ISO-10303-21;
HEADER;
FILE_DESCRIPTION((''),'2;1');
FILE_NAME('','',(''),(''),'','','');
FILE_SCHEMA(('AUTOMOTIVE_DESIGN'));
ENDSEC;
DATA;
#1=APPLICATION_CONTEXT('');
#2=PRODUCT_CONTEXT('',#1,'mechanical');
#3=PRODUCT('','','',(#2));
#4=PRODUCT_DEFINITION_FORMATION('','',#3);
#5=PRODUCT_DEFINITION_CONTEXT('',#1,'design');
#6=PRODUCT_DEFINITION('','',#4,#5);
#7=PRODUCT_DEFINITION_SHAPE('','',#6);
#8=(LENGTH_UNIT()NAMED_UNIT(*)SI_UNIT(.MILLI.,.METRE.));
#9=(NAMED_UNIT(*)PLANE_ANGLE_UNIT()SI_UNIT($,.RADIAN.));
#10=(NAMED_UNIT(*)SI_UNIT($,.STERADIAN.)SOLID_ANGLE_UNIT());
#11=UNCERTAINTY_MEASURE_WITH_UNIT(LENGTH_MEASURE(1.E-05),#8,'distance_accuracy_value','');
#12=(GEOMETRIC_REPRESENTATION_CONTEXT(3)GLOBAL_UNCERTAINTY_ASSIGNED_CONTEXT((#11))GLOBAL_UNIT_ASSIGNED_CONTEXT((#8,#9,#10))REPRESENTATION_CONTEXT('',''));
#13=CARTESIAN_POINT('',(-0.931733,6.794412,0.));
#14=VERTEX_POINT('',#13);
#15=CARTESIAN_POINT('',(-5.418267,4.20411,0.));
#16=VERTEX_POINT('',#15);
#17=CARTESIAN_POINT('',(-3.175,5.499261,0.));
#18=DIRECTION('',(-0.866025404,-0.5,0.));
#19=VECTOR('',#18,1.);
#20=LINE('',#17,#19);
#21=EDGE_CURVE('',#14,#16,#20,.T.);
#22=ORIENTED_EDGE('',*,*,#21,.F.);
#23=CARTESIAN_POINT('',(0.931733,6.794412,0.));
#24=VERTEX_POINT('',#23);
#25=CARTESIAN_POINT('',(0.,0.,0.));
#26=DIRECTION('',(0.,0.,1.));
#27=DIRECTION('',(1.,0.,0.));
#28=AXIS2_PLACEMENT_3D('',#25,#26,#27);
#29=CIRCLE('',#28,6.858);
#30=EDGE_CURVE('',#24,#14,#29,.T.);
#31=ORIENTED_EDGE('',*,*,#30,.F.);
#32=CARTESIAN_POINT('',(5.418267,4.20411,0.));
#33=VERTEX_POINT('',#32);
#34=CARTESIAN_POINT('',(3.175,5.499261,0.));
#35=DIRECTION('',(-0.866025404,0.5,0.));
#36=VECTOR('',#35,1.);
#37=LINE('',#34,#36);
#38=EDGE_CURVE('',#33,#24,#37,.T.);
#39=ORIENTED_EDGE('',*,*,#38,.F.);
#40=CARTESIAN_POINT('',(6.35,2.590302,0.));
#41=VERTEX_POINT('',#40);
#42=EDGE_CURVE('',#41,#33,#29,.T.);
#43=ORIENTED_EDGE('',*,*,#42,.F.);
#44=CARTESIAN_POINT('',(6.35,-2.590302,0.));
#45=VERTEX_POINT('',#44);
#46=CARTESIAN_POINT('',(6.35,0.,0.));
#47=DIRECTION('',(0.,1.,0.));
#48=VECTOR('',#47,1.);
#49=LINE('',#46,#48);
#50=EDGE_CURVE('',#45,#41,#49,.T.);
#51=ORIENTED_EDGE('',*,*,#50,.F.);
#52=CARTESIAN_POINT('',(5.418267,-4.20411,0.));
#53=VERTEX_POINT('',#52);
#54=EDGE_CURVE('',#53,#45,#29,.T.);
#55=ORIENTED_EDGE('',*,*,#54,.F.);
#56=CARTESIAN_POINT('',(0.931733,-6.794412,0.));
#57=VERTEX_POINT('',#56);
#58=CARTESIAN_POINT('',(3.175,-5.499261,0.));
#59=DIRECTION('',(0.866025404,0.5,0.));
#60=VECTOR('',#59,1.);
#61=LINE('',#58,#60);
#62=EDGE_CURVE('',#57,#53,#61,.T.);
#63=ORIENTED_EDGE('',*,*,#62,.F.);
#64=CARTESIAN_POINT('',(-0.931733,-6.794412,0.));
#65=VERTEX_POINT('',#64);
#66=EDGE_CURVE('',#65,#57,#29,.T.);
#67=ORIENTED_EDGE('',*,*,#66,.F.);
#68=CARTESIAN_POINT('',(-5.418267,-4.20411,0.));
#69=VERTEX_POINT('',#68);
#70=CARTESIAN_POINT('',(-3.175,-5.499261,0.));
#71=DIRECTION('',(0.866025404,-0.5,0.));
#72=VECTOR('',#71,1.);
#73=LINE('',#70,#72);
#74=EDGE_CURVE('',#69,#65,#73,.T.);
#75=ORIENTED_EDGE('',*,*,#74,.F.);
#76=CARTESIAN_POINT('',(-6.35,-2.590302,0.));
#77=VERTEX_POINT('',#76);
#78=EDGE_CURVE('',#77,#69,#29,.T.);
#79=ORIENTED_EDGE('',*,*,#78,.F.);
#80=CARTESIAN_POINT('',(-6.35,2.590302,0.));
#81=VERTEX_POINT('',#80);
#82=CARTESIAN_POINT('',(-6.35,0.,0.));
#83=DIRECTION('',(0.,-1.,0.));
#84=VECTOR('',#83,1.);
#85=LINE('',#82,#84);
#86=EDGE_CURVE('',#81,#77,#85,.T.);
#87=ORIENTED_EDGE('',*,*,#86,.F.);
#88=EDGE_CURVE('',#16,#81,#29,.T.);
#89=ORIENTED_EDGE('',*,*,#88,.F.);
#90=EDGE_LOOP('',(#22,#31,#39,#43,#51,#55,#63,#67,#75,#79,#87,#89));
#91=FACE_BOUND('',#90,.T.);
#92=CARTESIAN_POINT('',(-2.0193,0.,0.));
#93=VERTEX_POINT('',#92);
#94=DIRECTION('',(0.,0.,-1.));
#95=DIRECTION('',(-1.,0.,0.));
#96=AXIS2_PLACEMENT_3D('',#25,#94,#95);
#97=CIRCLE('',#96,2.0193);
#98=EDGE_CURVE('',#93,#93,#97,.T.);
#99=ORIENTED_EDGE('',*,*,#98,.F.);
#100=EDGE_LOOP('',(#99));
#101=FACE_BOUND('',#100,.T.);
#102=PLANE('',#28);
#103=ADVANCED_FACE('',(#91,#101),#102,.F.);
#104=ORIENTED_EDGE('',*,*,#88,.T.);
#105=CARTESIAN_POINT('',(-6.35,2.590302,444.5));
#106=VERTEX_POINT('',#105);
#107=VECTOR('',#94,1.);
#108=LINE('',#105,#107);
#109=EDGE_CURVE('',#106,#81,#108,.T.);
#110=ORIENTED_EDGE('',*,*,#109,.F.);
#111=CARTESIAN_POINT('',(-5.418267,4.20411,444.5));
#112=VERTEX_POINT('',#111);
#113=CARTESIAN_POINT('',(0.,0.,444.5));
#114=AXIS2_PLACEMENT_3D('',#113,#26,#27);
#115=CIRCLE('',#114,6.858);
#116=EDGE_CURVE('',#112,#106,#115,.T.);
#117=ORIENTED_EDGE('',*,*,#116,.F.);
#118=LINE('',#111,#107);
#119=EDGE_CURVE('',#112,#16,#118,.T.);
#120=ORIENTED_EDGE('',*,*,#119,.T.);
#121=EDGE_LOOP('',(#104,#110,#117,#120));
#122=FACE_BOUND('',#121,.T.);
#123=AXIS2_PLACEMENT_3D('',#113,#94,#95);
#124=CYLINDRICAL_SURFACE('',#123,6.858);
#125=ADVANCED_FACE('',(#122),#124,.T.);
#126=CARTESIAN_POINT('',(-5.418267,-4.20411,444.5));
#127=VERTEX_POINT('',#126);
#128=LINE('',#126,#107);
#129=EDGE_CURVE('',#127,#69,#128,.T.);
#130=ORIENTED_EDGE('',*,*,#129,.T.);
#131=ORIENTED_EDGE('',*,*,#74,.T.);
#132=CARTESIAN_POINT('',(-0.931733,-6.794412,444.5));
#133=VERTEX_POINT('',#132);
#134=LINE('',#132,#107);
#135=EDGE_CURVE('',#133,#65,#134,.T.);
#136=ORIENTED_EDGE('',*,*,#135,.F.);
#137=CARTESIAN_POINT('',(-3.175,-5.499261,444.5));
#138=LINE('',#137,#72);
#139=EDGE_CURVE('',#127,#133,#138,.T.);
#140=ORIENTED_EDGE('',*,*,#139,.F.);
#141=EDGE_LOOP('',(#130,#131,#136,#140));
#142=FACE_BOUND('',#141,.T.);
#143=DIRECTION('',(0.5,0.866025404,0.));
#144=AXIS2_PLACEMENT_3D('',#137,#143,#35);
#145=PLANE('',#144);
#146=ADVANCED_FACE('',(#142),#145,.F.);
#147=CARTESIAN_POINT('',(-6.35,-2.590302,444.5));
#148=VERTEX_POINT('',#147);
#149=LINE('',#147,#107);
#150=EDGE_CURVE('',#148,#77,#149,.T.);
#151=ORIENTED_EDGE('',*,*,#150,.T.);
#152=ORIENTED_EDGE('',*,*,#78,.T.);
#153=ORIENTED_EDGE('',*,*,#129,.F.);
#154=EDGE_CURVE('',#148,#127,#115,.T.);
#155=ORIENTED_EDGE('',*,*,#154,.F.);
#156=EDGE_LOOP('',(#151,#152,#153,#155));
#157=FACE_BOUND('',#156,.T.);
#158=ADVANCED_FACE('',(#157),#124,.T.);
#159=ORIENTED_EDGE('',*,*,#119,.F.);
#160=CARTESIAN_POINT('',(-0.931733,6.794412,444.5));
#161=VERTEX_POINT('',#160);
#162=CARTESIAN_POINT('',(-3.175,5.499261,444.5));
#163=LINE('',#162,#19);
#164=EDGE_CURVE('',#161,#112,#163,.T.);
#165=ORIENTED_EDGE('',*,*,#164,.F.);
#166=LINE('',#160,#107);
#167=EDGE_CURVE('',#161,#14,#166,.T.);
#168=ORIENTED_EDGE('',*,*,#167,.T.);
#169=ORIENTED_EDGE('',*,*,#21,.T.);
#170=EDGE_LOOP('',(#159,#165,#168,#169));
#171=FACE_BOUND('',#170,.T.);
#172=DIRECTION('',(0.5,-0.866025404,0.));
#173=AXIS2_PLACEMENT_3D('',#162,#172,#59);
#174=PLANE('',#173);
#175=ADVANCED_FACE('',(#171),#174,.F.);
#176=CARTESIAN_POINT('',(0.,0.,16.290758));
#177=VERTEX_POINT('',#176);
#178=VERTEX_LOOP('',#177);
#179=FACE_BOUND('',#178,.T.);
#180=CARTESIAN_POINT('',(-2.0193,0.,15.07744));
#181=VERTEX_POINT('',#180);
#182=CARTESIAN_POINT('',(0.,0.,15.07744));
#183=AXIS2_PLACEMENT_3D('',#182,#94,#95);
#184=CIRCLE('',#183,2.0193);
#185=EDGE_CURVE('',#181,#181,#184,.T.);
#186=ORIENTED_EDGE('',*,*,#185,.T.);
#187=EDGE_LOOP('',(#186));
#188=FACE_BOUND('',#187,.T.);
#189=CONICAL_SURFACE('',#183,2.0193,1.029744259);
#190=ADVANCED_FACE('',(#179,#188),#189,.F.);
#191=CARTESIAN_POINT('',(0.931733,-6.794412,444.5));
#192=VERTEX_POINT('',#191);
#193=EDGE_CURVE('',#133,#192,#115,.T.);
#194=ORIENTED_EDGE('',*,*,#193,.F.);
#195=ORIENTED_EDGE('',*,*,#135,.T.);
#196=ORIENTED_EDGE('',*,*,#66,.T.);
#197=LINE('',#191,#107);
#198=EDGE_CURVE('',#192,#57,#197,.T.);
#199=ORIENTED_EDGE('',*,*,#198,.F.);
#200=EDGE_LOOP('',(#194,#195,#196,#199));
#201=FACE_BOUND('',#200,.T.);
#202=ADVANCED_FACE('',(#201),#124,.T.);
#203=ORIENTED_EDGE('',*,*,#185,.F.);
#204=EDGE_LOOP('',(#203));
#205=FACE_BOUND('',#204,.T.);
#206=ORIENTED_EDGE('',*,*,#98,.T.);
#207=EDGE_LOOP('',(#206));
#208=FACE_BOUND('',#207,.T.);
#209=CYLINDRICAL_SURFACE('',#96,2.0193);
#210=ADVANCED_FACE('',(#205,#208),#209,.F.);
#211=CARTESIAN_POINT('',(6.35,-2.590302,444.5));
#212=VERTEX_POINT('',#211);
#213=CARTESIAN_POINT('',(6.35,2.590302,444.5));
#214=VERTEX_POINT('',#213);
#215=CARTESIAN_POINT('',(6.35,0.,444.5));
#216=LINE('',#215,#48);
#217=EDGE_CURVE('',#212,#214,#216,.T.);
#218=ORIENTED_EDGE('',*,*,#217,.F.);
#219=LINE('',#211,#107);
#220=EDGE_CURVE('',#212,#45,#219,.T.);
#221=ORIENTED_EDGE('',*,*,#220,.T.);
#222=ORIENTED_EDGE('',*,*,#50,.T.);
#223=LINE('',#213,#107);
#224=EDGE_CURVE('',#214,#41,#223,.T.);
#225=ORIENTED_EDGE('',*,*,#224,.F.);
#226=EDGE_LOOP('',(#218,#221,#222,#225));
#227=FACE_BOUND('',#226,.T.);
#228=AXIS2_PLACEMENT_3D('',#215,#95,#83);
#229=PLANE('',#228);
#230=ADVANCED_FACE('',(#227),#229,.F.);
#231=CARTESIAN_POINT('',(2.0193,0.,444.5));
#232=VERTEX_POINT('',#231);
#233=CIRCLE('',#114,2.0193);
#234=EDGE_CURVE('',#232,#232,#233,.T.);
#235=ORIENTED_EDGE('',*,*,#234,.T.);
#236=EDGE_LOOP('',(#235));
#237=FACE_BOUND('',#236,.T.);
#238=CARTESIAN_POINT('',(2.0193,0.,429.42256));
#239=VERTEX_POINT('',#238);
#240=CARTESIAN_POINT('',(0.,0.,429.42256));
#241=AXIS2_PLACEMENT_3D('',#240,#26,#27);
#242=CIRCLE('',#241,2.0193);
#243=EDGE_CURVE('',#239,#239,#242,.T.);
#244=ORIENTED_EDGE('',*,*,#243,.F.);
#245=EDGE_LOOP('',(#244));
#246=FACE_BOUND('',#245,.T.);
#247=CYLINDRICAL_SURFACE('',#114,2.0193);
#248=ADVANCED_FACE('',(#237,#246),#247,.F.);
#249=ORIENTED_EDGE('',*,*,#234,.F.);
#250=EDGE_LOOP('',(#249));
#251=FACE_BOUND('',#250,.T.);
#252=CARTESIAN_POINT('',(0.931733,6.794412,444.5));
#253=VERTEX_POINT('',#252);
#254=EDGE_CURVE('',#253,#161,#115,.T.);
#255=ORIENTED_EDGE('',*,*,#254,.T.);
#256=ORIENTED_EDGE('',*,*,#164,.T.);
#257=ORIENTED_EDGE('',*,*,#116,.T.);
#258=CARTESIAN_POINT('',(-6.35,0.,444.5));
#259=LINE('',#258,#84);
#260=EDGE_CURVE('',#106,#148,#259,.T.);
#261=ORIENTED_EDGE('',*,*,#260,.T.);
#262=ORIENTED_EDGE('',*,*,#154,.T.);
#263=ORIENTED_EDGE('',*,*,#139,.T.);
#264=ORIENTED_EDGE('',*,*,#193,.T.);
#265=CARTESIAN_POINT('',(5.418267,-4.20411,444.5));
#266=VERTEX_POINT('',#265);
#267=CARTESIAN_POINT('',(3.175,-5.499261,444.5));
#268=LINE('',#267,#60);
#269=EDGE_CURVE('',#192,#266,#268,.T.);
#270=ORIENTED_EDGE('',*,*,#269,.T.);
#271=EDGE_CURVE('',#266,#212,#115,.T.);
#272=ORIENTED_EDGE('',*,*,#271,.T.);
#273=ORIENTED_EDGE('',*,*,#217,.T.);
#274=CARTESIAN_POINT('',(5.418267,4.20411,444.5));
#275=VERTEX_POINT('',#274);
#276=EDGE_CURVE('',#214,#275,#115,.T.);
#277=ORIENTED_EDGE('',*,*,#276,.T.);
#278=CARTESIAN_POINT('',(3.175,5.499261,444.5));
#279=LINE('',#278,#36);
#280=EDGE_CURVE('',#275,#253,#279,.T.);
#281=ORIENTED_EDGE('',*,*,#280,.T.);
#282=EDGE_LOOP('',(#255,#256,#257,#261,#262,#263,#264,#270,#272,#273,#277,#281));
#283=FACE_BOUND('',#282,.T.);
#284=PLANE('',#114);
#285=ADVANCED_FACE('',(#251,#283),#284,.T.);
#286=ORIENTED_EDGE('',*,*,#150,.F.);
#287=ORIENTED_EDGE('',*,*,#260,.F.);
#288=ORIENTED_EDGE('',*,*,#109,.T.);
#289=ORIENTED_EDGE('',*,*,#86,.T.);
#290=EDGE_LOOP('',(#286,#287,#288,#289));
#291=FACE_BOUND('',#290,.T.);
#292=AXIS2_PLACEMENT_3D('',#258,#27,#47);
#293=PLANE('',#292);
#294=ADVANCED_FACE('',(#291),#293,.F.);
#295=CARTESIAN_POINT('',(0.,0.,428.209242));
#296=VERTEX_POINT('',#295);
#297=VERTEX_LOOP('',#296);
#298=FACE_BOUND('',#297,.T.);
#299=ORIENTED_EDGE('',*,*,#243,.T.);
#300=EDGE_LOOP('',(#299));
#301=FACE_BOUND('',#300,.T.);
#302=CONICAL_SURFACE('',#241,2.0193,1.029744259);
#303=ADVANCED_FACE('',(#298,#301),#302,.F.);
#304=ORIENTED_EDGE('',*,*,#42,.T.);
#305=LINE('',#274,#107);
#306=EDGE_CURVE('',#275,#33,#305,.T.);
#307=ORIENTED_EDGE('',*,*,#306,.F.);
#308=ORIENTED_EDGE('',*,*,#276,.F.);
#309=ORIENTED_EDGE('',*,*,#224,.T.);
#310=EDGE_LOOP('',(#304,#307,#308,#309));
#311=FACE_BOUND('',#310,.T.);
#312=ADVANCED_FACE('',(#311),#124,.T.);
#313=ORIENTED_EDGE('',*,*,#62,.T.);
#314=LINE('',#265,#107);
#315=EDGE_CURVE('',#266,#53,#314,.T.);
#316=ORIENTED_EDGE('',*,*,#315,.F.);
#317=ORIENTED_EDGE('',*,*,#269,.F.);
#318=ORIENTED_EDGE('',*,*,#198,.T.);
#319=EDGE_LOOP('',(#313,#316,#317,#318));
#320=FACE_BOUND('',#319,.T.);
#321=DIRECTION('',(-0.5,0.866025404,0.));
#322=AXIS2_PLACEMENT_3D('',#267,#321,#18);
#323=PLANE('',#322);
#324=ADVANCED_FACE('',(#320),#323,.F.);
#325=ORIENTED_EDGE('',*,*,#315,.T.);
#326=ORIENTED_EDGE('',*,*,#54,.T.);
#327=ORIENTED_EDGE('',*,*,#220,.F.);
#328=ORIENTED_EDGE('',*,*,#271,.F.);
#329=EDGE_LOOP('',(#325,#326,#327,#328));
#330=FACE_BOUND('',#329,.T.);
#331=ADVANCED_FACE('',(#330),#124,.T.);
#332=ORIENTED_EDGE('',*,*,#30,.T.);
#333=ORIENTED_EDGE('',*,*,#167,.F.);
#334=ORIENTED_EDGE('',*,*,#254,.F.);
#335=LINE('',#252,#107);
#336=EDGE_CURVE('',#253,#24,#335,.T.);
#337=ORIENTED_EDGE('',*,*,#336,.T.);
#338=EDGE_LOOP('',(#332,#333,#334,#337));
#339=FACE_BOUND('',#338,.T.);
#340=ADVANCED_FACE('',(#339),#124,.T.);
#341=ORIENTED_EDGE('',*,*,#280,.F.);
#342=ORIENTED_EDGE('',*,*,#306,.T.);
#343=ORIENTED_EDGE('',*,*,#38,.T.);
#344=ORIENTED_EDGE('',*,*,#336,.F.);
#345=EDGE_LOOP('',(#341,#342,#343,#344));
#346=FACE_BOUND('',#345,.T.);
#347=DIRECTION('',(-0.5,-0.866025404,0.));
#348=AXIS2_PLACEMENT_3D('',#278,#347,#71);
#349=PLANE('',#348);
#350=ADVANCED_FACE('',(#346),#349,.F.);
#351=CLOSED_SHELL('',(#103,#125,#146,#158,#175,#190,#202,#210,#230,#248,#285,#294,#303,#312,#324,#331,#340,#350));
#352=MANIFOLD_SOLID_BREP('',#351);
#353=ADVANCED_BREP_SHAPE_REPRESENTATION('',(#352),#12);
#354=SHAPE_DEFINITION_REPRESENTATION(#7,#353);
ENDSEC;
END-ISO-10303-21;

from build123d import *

# Parameters (mm, degrees)
BOSS_EXTRUDE1_DEPTH                  = 444.5
F_10_32_TAPPED_HOLE1_D               = 4.0386
F_10_32_TAPPED_HOLE1_DEPTH           = 15.07744
F_10_32_TAPPED_HOLE1_TIP             = 1.213317848
F_10_32_TAPPED_HOLE1_ON_FACE_2_D     = 4.0386
F_10_32_TAPPED_HOLE1_ON_FACE_2_DEPTH = 15.07744
F_10_32_TAPPED_HOLE1_ON_FACE_2_TIP   = 1.213317848


with BuildPart() as part:
    # Sketch1 → Boss-Extrude1 (new body)
    with BuildSketch(Plane.XY):
        with BuildLine():
            ThreePointArc((6.35, 2.590301913), (5.939202219, 3.429), (5.41826726, 4.204110358))
            Line((5.41826726, 4.204110358), (0.93173274, 6.79441227))
            ThreePointArc((0.93173274, 6.79441227), (0, 6.858), (-0.93173274, 6.79441227))
            Line((-0.93173274, 6.79441227), (-5.41826726, 4.204110358))
            ThreePointArc((-5.41826726, 4.204110358), (-5.939202219, 3.429), (-6.35, 2.590301913))
            Line((-6.35, 2.590301913), (-6.35, -2.590301913))
            ThreePointArc((-6.35, -2.590301913), (-5.939202219, -3.429), (-5.41826726, -4.204110358))
            Line((-5.41826726, -4.204110358), (-0.93173274, -6.79441227))
            ThreePointArc((-0.93173274, -6.79441227), (0, -6.858), (0.93173274, -6.79441227))
            Line((0.93173274, -6.79441227), (5.41826726, -4.204110358))
            ThreePointArc((5.41826726, -4.204110358), (5.939202219, -3.429), (6.35, -2.590301913))
            Line((6.35, -2.590301913), (6.35, 2.590301913))
        make_face()
    extrude(amount=BOSS_EXTRUDE1_DEPTH)

    # #10-32 Tapped Hole1
    with Locations(Plane.XY.offset(444.5)):
        with Locations((0, 0)):
            Hole(F_10_32_TAPPED_HOLE1_D / 2, depth=F_10_32_TAPPED_HOLE1_DEPTH)
            with Locations((0, 0, -(F_10_32_TAPPED_HOLE1_DEPTH + F_10_32_TAPPED_HOLE1_TIP / 2))):  # 118° drill point
                Cone(0, F_10_32_TAPPED_HOLE1_D / 2, F_10_32_TAPPED_HOLE1_TIP, mode=Mode.SUBTRACT)

    # #10-32 Tapped Hole1 on face 2
    with Locations(Plane(origin=(0, 0, 0), x_dir=(-1, 0, 0), z_dir=(0, 0, -1))):
        with Locations((0, 0)):
            Hole(F_10_32_TAPPED_HOLE1_ON_FACE_2_D / 2, depth=F_10_32_TAPPED_HOLE1_ON_FACE_2_DEPTH)
            with Locations((0, 0, -(F_10_32_TAPPED_HOLE1_ON_FACE_2_DEPTH + F_10_32_TAPPED_HOLE1_ON_FACE_2_TIP / 2))):  # 118° drill point
                Cone(0, F_10_32_TAPPED_HOLE1_ON_FACE_2_D / 2, F_10_32_TAPPED_HOLE1_ON_FACE_2_TIP, mode=Mode.SUBTRACT)


solid = part.part
